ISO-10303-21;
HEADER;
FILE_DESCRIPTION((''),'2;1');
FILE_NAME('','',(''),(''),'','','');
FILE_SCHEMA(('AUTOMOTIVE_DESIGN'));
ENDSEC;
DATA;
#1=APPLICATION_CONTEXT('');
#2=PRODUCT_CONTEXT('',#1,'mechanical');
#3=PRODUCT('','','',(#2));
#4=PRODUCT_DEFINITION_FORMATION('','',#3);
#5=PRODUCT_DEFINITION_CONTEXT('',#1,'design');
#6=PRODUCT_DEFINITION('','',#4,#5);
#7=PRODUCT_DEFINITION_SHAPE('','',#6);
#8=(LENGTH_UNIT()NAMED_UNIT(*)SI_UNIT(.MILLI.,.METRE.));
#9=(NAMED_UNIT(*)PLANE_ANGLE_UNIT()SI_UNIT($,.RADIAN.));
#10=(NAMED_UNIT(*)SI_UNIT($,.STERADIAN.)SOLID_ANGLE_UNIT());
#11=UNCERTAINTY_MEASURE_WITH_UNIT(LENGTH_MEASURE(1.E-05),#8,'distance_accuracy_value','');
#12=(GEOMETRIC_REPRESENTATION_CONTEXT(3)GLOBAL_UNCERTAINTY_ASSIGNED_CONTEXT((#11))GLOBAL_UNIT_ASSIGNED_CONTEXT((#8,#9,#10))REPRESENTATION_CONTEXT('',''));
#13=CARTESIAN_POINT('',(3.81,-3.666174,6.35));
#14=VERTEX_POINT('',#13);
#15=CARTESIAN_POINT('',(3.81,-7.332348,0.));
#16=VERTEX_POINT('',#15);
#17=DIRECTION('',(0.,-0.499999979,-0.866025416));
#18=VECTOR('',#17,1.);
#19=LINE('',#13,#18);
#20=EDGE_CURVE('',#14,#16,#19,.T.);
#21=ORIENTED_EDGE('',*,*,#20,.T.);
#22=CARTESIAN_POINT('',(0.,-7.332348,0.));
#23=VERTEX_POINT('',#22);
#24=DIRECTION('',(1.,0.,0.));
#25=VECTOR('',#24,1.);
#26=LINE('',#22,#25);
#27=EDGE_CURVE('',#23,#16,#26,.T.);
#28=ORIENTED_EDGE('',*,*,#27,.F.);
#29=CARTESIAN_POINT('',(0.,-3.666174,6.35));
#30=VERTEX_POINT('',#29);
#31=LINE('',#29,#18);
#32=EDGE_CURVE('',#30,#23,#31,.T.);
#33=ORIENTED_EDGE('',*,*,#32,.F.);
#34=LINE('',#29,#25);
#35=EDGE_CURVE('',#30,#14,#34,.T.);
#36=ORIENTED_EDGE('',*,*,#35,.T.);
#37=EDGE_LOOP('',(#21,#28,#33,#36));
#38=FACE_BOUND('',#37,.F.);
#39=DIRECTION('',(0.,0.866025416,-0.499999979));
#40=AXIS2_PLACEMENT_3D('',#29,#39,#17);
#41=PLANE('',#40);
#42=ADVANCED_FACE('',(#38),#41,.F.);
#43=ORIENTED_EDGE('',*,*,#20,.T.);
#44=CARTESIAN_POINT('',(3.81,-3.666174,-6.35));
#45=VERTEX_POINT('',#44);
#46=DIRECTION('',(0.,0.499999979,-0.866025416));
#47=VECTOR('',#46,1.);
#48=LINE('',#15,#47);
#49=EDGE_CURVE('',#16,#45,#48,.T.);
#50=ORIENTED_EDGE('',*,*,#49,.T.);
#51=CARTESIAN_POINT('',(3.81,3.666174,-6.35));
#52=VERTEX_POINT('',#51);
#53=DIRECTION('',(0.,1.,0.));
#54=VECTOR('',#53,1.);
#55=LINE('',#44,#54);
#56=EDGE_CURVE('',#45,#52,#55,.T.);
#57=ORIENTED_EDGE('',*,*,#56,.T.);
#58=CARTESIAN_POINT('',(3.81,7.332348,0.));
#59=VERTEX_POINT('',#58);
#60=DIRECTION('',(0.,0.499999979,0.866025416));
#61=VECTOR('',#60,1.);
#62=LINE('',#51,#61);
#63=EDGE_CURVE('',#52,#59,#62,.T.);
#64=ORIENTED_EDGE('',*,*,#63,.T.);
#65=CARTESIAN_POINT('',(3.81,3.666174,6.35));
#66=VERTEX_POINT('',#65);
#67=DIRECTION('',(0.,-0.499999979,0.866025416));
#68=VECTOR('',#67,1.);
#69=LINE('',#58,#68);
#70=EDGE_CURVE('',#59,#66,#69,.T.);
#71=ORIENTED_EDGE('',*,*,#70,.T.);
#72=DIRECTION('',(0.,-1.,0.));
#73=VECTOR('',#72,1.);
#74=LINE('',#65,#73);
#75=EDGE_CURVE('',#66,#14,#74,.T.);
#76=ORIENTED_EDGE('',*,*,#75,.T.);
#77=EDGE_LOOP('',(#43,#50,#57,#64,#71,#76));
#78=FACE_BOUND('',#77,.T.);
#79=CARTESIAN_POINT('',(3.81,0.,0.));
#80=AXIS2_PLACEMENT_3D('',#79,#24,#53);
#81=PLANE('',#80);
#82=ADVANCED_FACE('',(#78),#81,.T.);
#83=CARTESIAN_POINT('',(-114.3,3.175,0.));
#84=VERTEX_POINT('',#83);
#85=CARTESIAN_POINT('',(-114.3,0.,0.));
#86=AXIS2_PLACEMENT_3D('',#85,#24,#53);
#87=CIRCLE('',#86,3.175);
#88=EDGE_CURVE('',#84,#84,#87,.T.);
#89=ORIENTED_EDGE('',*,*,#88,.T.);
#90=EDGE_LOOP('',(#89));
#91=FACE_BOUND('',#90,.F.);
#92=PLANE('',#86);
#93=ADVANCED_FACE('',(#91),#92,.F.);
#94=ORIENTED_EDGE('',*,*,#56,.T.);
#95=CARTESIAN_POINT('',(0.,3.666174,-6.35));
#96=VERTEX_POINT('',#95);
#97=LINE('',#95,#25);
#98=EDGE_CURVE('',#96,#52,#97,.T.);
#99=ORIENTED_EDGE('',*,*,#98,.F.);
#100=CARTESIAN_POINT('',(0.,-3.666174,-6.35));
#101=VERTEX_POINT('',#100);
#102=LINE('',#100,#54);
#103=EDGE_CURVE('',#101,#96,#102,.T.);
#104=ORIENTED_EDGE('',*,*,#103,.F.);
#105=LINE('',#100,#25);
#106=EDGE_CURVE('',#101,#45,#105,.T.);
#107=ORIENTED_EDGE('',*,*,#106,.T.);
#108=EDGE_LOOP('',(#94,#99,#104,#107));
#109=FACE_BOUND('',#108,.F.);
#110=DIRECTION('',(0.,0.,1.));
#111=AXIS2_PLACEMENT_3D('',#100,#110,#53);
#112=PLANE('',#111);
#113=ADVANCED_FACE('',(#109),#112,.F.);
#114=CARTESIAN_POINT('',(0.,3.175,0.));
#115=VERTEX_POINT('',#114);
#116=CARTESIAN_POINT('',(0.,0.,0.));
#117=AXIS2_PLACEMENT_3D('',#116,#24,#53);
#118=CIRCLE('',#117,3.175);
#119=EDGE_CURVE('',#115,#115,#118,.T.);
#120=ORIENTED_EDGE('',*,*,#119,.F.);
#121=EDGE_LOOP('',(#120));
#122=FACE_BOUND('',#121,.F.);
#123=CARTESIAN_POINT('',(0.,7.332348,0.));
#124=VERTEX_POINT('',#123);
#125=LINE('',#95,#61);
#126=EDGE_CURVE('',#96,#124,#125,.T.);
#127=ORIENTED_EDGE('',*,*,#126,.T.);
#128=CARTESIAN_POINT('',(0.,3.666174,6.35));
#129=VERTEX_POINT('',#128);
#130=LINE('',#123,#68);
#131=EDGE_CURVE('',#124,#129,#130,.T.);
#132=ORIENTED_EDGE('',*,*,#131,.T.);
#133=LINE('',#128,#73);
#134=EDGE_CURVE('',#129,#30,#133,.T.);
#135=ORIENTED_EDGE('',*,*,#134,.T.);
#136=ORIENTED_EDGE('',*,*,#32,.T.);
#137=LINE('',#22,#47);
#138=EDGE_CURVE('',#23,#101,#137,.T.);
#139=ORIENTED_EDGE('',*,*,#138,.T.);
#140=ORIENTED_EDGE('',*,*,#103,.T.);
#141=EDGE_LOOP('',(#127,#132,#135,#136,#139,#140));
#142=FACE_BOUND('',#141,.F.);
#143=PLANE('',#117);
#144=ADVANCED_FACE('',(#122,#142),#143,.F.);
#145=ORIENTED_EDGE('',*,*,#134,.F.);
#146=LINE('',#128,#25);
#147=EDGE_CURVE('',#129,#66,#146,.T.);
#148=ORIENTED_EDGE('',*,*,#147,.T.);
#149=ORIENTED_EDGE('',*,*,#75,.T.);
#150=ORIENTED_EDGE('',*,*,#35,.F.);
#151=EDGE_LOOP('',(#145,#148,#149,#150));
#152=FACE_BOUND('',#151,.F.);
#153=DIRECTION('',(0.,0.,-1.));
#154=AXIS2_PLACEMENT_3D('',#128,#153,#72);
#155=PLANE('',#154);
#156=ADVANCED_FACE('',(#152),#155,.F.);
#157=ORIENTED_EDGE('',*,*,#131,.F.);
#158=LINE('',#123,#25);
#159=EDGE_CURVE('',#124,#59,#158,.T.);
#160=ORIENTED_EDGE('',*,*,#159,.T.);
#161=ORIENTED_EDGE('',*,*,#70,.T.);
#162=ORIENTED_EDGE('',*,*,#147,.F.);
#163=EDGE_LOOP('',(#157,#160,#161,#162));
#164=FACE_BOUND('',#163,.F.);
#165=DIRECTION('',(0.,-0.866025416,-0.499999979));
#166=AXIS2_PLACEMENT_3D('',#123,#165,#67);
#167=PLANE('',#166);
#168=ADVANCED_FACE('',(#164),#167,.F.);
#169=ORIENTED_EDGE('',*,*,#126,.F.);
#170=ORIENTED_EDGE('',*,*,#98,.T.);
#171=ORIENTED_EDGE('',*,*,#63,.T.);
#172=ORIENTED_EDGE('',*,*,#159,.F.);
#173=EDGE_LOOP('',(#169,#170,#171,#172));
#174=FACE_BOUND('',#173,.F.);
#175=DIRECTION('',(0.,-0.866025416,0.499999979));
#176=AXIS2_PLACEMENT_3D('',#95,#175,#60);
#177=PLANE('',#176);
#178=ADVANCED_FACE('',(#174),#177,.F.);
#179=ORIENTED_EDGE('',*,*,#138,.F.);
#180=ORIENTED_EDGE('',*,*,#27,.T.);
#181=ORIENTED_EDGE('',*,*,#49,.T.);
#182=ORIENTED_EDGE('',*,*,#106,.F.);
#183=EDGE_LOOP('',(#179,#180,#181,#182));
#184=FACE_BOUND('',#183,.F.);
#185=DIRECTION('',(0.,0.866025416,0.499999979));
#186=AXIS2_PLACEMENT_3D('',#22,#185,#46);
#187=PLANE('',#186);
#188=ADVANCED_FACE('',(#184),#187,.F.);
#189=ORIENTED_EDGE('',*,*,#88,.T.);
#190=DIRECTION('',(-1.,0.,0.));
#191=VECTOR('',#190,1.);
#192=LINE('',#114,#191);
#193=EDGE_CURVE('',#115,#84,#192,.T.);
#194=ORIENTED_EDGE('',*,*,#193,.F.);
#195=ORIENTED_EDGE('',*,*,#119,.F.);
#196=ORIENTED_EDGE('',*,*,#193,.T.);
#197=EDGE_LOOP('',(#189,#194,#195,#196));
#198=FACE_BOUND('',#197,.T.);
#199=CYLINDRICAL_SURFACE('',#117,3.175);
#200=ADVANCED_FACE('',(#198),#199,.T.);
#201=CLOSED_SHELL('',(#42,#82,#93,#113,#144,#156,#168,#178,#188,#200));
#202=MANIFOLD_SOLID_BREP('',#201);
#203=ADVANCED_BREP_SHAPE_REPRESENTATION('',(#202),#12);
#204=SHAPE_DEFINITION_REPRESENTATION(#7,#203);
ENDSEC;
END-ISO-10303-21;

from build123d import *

# Parameters (mm, degrees)
F1_DEPTH = 3.81
F2_R     = 3.175
F3_DEPTH = 114.3


with BuildPart() as f1:
    # F0 (on Right) → F1 (new body)
    with BuildSketch(Plane.YZ):
        Polygon((-3.666174, -6.35), (3.666174, -6.35), (7.332348, 0), (3.666174, 6.35), (-3.666174, 6.35), (-7.332348, 0), align=None)
    extrude(amount=F1_DEPTH)

    # F2 (on Right) → F3 (join)
    with BuildSketch(Plane.YZ):
        Circle(F2_R)
    extrude(amount=-F3_DEPTH)


solid = f1.part
